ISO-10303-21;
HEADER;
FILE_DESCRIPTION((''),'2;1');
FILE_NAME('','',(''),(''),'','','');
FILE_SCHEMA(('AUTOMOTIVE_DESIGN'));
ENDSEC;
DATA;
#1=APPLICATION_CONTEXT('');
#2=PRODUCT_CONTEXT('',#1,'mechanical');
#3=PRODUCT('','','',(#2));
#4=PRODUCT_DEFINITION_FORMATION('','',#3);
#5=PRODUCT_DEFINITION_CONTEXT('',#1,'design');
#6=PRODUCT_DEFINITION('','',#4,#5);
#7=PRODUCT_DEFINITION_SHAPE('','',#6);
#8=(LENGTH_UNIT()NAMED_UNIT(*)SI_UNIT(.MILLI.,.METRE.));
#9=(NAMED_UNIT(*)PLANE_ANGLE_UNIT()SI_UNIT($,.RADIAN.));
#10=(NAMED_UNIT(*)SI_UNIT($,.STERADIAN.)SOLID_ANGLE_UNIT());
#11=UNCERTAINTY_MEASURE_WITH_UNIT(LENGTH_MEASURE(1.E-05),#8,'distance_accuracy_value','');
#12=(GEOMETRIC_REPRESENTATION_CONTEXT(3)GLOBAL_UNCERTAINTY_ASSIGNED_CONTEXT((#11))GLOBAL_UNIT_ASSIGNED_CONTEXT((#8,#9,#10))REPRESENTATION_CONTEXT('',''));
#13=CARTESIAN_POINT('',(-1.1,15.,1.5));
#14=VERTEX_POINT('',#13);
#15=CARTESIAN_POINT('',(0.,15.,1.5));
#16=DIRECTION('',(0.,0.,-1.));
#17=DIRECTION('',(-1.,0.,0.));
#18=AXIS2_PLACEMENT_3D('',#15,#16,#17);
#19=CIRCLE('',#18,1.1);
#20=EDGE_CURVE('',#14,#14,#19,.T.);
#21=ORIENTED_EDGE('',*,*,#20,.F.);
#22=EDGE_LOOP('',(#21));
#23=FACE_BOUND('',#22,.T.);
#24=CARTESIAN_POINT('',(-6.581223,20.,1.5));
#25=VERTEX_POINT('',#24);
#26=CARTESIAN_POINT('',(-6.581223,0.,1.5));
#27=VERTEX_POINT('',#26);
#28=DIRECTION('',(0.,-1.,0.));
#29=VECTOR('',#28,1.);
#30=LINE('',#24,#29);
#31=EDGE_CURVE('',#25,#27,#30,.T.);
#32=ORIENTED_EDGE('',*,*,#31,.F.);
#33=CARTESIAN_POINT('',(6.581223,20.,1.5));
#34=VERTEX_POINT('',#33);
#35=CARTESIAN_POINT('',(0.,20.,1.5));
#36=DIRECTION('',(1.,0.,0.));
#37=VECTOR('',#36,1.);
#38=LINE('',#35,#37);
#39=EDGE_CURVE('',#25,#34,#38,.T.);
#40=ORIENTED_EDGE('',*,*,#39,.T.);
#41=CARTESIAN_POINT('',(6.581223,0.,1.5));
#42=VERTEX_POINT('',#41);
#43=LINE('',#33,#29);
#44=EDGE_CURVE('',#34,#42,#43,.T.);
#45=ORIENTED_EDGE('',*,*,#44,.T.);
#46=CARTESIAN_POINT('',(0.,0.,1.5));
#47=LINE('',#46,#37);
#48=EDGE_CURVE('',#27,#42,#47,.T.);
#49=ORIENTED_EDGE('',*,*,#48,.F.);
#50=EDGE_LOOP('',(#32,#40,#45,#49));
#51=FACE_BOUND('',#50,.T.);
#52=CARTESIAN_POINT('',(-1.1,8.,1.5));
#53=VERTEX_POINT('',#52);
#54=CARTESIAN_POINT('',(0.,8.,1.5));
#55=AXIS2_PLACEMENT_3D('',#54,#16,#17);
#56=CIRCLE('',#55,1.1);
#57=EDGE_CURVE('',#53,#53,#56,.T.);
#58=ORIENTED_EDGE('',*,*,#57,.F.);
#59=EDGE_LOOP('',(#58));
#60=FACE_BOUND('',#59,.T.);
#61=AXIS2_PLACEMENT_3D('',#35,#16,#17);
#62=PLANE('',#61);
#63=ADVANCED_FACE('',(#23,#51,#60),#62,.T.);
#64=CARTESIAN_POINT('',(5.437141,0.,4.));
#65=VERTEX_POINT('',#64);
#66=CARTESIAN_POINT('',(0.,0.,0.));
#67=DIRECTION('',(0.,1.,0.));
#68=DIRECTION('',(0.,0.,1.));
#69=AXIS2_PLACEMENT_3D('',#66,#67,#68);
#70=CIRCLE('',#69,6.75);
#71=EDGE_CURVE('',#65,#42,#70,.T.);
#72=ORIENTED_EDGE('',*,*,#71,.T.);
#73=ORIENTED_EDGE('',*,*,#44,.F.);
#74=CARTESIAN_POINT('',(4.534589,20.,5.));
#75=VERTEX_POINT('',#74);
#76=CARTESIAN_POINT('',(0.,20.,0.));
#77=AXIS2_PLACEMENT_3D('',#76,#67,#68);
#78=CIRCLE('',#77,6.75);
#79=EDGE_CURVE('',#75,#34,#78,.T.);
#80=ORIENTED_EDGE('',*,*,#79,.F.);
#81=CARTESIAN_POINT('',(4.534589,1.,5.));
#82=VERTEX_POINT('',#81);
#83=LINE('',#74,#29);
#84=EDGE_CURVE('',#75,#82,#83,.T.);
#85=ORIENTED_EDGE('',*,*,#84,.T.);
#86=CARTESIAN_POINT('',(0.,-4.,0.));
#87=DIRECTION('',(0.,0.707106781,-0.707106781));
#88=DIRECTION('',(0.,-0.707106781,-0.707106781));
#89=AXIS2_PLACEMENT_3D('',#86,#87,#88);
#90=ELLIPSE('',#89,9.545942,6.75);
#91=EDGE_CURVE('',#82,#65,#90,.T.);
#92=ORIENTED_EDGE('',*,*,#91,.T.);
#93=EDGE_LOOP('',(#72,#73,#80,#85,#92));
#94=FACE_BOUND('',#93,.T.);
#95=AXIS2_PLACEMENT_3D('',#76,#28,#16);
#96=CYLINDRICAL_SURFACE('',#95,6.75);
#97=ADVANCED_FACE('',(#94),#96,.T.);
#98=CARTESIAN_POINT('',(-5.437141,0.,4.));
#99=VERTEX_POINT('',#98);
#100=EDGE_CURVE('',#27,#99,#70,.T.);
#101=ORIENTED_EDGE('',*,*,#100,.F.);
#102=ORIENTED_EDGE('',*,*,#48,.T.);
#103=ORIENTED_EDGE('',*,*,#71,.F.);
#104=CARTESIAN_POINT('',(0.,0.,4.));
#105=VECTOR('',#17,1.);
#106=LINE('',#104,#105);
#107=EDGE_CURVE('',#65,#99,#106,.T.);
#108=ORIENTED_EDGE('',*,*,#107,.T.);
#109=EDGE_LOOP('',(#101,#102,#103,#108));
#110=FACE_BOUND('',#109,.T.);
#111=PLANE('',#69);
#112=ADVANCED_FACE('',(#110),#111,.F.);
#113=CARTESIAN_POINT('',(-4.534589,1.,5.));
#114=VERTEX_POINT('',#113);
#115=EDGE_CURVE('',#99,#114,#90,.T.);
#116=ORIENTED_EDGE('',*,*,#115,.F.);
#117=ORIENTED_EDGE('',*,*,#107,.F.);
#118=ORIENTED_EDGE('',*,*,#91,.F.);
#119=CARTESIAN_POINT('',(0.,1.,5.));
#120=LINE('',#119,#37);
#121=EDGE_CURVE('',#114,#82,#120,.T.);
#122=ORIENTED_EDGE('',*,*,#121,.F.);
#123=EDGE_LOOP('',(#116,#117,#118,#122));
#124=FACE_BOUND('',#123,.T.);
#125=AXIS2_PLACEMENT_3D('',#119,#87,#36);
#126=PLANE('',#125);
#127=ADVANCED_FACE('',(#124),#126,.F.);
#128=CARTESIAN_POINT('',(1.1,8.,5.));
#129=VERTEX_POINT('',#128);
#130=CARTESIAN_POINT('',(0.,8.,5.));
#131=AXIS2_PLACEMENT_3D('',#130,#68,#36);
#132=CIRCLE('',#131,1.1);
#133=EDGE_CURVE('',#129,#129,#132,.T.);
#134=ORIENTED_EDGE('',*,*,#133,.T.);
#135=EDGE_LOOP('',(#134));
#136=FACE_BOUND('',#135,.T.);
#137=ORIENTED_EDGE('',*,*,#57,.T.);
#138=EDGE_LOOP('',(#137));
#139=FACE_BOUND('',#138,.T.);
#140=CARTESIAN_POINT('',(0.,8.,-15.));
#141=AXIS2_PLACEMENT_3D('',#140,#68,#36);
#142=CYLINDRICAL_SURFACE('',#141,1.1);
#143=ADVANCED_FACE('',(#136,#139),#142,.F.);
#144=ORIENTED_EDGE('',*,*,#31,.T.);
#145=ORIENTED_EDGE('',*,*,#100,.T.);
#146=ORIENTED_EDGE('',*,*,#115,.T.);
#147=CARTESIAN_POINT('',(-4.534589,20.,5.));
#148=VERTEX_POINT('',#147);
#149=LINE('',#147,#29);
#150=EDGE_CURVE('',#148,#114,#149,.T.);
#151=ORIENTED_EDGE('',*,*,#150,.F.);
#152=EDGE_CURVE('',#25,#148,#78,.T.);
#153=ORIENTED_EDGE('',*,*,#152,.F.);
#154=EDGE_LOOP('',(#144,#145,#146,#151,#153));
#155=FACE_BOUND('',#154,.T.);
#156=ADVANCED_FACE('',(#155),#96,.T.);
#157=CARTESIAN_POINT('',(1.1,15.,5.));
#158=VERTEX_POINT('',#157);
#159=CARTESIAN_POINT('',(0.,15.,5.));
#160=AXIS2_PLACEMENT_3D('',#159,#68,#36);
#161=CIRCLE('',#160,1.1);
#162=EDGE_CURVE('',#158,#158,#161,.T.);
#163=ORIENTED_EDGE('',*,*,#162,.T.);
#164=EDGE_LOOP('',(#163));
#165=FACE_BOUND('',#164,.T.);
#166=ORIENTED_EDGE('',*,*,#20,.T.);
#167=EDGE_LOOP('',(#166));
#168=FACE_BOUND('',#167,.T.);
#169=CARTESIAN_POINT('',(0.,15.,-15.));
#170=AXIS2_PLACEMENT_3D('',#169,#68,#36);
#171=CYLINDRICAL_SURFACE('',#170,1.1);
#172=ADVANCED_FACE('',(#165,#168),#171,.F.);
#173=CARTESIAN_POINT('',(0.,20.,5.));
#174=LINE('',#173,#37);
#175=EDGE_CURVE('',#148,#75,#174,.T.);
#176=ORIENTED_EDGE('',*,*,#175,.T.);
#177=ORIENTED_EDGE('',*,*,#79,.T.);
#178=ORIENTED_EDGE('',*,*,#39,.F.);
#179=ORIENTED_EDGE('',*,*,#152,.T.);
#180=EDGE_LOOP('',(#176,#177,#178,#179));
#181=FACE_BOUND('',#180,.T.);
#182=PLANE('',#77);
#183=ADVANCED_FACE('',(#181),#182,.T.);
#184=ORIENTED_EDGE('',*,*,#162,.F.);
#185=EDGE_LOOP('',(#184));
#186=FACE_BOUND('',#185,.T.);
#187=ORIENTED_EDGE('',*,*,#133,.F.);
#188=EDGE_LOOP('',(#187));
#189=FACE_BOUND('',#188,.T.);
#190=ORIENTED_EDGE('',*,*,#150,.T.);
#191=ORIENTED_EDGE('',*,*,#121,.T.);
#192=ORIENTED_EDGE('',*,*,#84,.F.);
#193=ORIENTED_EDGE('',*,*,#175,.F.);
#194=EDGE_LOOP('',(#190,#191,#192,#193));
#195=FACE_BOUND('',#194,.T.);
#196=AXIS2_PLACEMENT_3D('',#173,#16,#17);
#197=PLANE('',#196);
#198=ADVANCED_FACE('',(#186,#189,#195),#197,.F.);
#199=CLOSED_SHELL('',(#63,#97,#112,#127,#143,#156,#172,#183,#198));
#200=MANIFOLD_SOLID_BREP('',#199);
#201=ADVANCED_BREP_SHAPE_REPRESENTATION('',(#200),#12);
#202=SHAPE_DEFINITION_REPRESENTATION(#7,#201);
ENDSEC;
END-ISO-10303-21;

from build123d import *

# Parameters (mm, degrees)
EXTRUDE_1_DEPTH     = 20
SKETCH_3_R          = 1.1
CUT_EXTRUDE_1_DEPTH = 20
CHAMFER_1_SIZE      = 1


with BuildPart() as part:
    # 草图2 → 凸台-拉伸1 (new body)
    with BuildSketch(Plane(origin=(0, 0, 0), x_dir=(1, 0, 0), z_dir=(0, 1, 0))):
        with BuildLine():
            Line((6.581223291, -1.5), (-6.581223291, -1.5))
            ThreePointArc((-6.581223291, -1.5), (-5.826905037, -3.40729771), (-4.534589287, -5))
            Line((-4.534589287, -5), (4.534589287, -5))
            ThreePointArc((4.534589287, -5), (5.826905037, -3.40729771), (6.581223291, -1.5))
        make_face()
    extrude(amount=EXTRUDE_1_DEPTH)

    # 草图3 → 切除-拉伸1 (cut)
    with BuildSketch(Plane.XY.offset(5)):
        with Locations((0, 15)):
            Circle(SKETCH_3_R)
        with Locations((0, 8)):
            Circle(SKETCH_3_R)
    extrude(amount=-CUT_EXTRUDE_1_DEPTH, mode=Mode.SUBTRACT)

    # 倒角1
    chamfer_1_edges = [part.edges().sort_by_distance(p)[0] for p in [
        (0, 0, 5),
    ]]
    chamfer(chamfer_1_edges, length=CHAMFER_1_SIZE)


solid = part.part
